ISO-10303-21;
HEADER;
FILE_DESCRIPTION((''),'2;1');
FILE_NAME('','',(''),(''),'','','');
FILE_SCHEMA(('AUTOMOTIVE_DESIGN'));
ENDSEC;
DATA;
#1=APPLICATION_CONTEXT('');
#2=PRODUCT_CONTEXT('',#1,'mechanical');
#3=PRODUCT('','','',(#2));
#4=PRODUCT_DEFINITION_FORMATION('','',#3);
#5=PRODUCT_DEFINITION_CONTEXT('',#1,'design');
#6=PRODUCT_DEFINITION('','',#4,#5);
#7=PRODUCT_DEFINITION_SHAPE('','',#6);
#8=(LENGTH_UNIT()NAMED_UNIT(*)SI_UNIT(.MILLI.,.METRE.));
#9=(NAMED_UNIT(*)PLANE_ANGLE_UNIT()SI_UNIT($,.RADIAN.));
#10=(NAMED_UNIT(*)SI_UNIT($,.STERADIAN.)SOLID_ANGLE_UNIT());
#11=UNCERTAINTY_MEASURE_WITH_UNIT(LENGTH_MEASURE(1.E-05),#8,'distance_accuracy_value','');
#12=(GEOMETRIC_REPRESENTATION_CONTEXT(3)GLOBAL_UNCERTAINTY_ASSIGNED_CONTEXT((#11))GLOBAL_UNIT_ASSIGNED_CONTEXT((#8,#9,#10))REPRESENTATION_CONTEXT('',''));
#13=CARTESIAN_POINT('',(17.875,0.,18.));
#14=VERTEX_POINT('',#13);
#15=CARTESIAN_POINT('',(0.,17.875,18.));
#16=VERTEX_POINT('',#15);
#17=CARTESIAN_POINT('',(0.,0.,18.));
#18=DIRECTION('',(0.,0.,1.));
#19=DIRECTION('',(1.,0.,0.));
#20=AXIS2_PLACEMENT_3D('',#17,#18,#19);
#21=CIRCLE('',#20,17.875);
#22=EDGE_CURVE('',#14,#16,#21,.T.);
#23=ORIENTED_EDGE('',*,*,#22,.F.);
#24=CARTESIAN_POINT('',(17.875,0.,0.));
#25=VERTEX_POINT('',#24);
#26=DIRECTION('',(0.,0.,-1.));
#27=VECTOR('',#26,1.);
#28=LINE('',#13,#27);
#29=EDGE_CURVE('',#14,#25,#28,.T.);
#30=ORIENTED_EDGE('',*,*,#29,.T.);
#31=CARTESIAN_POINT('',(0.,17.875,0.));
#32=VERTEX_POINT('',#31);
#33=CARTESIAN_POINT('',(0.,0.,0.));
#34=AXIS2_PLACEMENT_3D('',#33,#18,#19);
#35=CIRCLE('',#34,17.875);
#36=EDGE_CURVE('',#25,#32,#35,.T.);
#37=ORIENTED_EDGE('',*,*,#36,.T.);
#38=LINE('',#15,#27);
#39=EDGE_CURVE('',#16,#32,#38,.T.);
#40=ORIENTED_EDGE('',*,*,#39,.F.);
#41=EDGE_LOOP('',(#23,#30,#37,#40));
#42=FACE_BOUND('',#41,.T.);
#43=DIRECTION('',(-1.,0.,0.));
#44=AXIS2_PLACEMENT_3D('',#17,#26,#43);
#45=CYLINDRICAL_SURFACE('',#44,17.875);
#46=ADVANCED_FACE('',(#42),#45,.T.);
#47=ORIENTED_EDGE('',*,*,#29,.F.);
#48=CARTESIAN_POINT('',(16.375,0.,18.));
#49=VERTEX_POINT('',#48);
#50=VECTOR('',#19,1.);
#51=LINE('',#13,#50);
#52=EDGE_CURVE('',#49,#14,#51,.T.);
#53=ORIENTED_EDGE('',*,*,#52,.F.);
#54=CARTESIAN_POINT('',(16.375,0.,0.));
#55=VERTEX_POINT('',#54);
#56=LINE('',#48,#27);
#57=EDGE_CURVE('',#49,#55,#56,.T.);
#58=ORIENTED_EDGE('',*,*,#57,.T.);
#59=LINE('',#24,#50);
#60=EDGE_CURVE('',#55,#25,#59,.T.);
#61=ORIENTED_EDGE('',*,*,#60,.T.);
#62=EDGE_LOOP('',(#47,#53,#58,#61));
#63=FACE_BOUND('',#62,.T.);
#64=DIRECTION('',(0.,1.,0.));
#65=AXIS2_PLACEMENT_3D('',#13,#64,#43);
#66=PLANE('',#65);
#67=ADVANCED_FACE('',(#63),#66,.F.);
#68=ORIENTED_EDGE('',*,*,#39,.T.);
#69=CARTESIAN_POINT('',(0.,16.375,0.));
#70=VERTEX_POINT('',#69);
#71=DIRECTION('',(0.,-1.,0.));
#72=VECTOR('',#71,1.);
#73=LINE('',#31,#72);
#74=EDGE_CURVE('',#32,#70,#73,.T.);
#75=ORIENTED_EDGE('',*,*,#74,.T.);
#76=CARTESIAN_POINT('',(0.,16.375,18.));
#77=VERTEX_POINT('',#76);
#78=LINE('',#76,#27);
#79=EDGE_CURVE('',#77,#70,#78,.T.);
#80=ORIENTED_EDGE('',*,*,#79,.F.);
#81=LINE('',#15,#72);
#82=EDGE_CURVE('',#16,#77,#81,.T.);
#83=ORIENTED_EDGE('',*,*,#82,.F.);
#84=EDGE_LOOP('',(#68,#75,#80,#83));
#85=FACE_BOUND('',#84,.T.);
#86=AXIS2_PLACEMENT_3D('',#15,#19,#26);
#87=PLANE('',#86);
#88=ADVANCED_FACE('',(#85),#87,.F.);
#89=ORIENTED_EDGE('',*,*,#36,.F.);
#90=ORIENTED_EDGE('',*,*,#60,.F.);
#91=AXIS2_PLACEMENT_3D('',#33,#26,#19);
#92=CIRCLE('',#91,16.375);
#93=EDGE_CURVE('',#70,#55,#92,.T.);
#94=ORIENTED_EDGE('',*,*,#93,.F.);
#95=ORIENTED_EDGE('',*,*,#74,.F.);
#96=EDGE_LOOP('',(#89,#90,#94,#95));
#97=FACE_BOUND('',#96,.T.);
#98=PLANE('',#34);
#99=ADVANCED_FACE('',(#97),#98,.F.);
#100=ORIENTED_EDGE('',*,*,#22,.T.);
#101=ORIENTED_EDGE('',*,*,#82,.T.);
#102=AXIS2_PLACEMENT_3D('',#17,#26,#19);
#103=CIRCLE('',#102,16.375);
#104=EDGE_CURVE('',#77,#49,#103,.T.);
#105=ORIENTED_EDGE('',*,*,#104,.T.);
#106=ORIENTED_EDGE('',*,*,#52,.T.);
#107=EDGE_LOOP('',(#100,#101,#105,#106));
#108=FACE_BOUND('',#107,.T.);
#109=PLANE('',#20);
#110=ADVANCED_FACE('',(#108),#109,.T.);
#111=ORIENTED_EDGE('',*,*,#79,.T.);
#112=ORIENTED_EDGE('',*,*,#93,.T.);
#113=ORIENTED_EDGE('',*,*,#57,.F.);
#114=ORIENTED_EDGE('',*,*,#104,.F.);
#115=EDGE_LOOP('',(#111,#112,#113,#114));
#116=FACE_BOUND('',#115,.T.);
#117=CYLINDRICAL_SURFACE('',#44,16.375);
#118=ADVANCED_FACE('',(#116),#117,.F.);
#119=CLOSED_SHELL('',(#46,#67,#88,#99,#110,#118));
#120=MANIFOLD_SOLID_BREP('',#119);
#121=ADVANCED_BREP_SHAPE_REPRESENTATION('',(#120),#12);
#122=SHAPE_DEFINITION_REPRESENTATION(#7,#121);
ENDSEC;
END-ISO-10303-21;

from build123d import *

# Parameters (mm, degrees)
Y_KSEKLIK_EKSTR_ZYON1_DEPTH = 18


with BuildPart() as part:
    # Çizim1 → Yükseklik-Ekstrüzyon1 (new body)
    with BuildSketch(Plane.XY):
        with BuildLine():
            Line((0, 17.875), (0, 16.375))
            ThreePointArc((0, 16.375), (11.578873542, 11.578873542), (16.375, 0))
            Line((16.375, 0), (17.875, 0))
            ThreePointArc((17.875, 0), (12.639533714, 12.639533714), (0, 17.875))
        make_face()
    extrude(amount=Y_KSEKLIK_EKSTR_ZYON1_DEPTH)


solid = part.part
